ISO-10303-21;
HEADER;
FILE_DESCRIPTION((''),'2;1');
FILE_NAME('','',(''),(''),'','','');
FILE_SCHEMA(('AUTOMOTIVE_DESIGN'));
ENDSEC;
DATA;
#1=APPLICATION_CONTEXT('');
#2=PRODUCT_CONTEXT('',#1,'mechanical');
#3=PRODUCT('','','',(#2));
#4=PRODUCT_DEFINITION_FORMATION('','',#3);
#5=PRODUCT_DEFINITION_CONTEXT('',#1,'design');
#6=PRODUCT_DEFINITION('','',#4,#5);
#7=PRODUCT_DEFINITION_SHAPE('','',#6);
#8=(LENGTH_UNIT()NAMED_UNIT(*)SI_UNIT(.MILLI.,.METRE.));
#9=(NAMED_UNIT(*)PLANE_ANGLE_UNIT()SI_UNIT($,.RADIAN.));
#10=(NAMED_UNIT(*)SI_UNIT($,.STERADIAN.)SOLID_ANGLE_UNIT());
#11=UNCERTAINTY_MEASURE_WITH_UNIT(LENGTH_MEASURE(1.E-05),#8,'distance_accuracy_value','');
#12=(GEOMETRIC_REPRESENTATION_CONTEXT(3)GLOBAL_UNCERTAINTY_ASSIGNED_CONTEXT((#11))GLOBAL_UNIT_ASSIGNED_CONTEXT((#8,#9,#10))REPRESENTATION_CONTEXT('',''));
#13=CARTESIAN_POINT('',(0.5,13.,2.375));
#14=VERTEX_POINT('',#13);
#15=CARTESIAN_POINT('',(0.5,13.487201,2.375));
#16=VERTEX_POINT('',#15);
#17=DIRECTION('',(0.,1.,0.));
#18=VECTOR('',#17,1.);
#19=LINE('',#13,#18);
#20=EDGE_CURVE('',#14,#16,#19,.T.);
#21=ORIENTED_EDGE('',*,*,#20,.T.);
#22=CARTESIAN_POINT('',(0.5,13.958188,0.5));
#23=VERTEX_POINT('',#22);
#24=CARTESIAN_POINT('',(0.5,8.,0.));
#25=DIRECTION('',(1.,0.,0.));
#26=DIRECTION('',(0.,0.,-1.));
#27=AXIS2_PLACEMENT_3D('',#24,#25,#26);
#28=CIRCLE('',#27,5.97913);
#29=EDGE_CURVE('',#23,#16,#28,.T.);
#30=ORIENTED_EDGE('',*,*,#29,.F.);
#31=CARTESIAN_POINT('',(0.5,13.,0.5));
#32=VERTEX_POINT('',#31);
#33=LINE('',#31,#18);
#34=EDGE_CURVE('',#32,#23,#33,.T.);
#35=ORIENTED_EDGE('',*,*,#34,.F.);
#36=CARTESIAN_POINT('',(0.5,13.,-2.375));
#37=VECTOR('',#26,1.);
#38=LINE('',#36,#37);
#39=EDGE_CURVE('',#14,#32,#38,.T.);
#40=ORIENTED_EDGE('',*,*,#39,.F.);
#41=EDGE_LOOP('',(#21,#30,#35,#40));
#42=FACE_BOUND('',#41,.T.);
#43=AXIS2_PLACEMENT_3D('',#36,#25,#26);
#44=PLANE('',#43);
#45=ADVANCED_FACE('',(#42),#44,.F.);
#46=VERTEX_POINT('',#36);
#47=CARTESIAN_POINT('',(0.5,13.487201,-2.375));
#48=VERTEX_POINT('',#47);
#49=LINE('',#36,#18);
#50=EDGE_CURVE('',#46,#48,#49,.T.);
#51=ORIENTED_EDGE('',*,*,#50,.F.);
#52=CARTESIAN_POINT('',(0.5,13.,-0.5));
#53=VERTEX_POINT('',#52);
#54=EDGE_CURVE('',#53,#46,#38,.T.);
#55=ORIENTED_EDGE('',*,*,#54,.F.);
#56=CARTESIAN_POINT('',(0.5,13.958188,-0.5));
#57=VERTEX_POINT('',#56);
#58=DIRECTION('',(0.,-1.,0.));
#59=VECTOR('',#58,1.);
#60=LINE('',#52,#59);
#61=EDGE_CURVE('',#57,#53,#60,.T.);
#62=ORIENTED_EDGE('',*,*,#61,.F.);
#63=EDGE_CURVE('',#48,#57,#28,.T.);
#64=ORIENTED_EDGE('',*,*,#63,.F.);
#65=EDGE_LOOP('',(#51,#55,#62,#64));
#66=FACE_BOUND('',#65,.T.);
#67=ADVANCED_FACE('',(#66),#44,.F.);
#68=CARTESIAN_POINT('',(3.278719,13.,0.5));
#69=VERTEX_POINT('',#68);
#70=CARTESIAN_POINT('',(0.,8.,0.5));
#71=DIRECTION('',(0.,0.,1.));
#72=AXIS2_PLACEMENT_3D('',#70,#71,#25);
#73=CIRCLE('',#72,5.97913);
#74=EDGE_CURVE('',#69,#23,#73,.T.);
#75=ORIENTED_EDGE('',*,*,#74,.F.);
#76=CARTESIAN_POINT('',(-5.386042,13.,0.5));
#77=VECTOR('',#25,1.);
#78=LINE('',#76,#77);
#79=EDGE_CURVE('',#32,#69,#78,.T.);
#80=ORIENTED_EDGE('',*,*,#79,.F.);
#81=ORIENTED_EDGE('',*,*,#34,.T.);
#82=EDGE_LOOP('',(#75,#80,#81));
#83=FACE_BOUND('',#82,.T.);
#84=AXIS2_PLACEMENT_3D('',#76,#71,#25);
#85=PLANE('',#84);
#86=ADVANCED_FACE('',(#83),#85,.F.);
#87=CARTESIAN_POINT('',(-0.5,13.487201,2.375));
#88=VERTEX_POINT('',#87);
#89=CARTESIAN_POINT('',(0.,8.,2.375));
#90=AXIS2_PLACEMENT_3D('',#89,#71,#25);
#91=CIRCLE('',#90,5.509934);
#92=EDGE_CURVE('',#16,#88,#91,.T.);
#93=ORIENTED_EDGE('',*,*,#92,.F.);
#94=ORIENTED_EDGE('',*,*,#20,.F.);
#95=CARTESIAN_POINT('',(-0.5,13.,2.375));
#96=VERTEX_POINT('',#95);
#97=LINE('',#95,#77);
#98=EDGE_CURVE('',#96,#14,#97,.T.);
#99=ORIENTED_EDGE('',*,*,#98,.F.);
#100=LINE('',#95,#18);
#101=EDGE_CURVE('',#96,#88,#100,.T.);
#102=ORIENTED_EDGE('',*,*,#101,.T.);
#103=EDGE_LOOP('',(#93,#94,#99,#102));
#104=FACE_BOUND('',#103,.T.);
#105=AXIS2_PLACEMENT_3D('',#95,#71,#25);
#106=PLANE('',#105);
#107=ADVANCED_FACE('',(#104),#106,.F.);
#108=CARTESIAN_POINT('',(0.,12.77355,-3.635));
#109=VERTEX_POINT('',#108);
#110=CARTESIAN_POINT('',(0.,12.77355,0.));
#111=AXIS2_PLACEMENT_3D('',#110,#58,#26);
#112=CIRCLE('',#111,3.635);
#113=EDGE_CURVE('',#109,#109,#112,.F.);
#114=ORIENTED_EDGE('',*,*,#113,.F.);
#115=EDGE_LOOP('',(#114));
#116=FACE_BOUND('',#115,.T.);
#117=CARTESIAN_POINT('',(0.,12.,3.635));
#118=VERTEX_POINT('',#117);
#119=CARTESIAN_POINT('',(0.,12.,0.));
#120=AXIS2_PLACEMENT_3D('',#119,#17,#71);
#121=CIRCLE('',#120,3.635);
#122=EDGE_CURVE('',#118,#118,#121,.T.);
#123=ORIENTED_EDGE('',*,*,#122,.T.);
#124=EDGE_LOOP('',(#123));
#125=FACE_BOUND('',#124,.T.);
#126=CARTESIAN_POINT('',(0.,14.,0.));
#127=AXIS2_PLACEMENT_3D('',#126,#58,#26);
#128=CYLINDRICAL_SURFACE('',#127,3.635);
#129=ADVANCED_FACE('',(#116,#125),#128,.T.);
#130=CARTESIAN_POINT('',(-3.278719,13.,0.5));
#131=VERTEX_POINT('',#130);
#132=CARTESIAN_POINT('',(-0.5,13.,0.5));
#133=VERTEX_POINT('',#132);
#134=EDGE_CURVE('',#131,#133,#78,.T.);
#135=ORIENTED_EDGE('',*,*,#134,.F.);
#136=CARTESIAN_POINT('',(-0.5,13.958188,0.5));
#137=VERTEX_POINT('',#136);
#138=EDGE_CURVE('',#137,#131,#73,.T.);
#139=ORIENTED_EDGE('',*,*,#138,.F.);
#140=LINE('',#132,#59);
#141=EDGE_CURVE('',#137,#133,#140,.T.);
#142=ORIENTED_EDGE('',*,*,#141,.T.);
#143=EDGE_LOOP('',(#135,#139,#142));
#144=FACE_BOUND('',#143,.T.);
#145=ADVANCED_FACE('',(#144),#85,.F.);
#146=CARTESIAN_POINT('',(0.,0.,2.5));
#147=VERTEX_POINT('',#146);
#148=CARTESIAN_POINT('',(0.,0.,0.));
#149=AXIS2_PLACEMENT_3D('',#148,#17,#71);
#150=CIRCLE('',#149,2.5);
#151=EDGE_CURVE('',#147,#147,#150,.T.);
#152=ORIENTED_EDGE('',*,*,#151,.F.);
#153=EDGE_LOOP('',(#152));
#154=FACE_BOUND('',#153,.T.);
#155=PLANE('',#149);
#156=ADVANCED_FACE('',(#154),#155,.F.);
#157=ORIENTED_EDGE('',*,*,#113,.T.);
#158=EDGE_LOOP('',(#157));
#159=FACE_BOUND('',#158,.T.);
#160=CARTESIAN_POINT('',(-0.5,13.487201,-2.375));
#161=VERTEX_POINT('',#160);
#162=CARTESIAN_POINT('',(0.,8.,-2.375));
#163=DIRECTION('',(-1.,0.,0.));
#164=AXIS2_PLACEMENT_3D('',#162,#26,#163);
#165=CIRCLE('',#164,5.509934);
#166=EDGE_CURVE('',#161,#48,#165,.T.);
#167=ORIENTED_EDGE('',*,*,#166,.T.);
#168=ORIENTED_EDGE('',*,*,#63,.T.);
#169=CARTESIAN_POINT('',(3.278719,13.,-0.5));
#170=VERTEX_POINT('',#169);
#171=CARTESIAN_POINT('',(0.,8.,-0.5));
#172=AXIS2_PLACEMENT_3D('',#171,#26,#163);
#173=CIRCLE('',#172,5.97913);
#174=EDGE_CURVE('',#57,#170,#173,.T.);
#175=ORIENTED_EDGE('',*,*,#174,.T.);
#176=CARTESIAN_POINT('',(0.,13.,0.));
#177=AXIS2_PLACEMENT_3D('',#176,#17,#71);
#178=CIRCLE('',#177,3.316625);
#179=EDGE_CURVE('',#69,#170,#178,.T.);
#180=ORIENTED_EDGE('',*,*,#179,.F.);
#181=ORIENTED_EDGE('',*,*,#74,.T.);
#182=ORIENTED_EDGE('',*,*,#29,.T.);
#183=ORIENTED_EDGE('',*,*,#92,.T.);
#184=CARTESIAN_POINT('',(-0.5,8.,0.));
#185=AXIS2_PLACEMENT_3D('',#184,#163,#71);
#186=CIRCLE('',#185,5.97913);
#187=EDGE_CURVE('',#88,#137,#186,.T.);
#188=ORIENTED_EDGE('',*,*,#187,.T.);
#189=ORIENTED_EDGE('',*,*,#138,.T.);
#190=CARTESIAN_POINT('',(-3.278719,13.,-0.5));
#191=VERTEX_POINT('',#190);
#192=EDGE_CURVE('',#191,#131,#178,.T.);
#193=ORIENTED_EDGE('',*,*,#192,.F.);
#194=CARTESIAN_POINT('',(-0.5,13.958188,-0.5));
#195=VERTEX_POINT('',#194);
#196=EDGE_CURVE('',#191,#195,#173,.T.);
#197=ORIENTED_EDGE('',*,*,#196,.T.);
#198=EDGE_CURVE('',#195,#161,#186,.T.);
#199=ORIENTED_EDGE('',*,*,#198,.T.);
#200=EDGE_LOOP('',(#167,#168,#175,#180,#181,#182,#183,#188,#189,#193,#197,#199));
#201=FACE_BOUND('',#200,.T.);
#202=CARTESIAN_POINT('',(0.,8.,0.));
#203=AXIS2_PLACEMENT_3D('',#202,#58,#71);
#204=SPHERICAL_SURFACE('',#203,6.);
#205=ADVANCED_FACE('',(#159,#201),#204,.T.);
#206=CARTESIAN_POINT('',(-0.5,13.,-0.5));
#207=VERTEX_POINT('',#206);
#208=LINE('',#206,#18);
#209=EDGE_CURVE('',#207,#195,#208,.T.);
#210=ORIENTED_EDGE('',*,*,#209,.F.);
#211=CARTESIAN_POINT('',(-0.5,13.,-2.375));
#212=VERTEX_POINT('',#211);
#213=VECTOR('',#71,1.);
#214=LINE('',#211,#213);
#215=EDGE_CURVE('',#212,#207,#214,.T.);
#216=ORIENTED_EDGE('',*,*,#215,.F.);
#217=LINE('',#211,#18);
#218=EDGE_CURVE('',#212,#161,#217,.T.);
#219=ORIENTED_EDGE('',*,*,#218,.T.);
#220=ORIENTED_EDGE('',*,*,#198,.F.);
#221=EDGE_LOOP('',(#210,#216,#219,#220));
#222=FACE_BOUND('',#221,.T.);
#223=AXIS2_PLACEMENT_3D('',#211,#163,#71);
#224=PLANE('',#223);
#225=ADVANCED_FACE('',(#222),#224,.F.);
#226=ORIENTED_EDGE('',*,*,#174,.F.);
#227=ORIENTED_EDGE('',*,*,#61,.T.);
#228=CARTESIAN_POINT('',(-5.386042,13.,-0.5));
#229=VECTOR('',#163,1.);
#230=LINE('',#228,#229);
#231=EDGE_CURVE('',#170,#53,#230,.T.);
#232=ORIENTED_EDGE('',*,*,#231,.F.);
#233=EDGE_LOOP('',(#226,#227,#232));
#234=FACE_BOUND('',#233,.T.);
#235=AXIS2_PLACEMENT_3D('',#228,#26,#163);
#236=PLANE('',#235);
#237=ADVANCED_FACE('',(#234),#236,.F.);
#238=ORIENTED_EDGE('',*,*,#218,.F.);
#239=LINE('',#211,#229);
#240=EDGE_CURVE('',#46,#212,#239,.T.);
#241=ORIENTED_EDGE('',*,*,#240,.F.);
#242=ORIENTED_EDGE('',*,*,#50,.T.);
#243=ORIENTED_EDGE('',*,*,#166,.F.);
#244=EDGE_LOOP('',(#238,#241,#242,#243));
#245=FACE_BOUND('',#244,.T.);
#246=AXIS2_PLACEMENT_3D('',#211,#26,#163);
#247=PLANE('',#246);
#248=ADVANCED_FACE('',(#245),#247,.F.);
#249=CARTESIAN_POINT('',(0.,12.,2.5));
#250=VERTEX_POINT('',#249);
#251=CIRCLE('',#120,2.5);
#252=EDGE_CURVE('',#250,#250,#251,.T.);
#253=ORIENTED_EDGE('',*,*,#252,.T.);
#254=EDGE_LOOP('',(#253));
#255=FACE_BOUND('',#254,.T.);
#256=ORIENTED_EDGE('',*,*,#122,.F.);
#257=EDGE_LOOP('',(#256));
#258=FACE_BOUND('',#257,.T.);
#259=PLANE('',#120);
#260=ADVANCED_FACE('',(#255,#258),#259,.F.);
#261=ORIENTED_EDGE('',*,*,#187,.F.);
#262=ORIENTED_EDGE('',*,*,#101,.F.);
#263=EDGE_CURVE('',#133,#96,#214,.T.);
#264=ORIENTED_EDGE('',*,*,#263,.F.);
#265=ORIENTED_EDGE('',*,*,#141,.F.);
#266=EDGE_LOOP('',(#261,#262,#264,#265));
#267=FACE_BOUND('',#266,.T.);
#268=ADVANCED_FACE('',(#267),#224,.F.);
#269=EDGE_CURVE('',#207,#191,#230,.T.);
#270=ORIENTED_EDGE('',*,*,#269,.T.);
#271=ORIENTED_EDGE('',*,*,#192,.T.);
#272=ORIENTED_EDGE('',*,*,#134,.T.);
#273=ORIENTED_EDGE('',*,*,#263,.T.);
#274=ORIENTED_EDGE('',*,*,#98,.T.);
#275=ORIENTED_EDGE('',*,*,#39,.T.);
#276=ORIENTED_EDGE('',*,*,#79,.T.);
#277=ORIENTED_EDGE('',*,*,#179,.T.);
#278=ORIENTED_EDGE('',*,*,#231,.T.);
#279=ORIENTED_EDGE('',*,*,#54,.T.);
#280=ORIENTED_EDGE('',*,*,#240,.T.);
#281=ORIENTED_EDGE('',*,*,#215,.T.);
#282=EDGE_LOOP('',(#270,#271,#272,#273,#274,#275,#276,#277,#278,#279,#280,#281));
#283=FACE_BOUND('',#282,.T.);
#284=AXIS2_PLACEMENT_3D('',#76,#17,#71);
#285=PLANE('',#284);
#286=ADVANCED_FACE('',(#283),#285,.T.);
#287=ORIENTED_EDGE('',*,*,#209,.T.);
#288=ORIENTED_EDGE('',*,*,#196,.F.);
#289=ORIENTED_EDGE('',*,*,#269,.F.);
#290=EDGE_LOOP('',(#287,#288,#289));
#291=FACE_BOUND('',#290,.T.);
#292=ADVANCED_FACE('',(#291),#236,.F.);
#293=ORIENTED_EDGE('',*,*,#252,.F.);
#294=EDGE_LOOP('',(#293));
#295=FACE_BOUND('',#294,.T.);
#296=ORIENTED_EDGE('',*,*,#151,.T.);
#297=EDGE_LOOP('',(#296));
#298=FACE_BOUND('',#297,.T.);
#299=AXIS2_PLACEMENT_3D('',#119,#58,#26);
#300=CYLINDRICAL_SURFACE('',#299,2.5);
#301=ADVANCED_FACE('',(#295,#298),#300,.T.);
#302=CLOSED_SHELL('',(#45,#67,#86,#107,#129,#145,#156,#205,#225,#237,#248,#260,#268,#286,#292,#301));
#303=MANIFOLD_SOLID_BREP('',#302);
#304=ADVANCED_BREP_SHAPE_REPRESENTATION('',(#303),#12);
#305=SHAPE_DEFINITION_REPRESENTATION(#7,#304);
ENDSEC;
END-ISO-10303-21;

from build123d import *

# Parameters (mm, degrees)
SKETCH_1_R          = 2.5
EXTRUDE_1_DEPTH     = 12
SKETCH_2_R          = 3.635
EXTRUDE_2_DEPTH     = 2
SKETCH_3_W          = 10.772084644
SKETCH_3_H          = 1
CUT_EXTRUDE_1_DEPTH = 1
SKETCH_4_W          = 1
SKETCH_4_H          = 4.75
CUT_EXTRUDE_2_DEPTH = 1


with BuildPart() as part:
    # 草图1 → 拉伸1 (new body)
    with BuildSketch(Plane(origin=(0, 0, 0), x_dir=(1, 0, 0), z_dir=(0, 1, 0))):
        with Locations(Location((0, 0, 0), (0, 0, 270))):
            Circle(SKETCH_1_R)
    extrude(amount=EXTRUDE_1_DEPTH)

    # 草图2 → 拉伸2 (add)
    with BuildSketch(Plane(origin=(0, 12, 0), x_dir=(-1, 0, 0), z_dir=(0, 1, 0))):
        with Locations(Location((0, 0, 0), (0, 0, 90))):
            Circle(SKETCH_2_R)
    extrude(amount=EXTRUDE_2_DEPTH)

    # 草图3 → 切除-拉伸1 (cut)
    with BuildSketch(Plane(origin=(0, 14, 0), x_dir=(-1, 0, 0), z_dir=(0, 1, 0))):
        Rectangle(SKETCH_3_W, SKETCH_3_H)
    extrude(amount=-CUT_EXTRUDE_1_DEPTH, mode=Mode.SUBTRACT)

    # 草图4 → 切除-拉伸2 (cut)
    with BuildSketch(Plane(origin=(0, 14, 0), x_dir=(-1, 0, 0), z_dir=(0, 1, 0))):
        Rectangle(SKETCH_4_W, SKETCH_4_H)
    extrude(amount=-CUT_EXTRUDE_2_DEPTH, mode=Mode.SUBTRACT)

    # 草图5 → 切除-旋转16 (revolve, cut)
    with BuildSketch(Plane(origin=(0, 0, 0), x_dir=(0, 0, -1), z_dir=(1, 0, 0)), mode=Mode.PRIVATE) as cut_revolve_16_sk:
        with BuildLine():
            Line((0, 14.65344885), (-4.227714807, 14.65344885))
            Line((-4.227714807, 14.65344885), (-4.227714807, 12.257514241))
            ThreePointArc((-4.227714807, 12.257514241), (-2.28636333, 13.54730049), (0, 14))
            Line((0, 14), (0, 14.65344885))
        make_face()
    revolve(cut_revolve_16_sk.sketch.rotate(Axis((0, -2.105917543, 0), (0, 1, 0)), 180), axis=Axis((0, -2.105917543, 0), (0, 1, 0)), mode=Mode.SUBTRACT)


solid = part.part
